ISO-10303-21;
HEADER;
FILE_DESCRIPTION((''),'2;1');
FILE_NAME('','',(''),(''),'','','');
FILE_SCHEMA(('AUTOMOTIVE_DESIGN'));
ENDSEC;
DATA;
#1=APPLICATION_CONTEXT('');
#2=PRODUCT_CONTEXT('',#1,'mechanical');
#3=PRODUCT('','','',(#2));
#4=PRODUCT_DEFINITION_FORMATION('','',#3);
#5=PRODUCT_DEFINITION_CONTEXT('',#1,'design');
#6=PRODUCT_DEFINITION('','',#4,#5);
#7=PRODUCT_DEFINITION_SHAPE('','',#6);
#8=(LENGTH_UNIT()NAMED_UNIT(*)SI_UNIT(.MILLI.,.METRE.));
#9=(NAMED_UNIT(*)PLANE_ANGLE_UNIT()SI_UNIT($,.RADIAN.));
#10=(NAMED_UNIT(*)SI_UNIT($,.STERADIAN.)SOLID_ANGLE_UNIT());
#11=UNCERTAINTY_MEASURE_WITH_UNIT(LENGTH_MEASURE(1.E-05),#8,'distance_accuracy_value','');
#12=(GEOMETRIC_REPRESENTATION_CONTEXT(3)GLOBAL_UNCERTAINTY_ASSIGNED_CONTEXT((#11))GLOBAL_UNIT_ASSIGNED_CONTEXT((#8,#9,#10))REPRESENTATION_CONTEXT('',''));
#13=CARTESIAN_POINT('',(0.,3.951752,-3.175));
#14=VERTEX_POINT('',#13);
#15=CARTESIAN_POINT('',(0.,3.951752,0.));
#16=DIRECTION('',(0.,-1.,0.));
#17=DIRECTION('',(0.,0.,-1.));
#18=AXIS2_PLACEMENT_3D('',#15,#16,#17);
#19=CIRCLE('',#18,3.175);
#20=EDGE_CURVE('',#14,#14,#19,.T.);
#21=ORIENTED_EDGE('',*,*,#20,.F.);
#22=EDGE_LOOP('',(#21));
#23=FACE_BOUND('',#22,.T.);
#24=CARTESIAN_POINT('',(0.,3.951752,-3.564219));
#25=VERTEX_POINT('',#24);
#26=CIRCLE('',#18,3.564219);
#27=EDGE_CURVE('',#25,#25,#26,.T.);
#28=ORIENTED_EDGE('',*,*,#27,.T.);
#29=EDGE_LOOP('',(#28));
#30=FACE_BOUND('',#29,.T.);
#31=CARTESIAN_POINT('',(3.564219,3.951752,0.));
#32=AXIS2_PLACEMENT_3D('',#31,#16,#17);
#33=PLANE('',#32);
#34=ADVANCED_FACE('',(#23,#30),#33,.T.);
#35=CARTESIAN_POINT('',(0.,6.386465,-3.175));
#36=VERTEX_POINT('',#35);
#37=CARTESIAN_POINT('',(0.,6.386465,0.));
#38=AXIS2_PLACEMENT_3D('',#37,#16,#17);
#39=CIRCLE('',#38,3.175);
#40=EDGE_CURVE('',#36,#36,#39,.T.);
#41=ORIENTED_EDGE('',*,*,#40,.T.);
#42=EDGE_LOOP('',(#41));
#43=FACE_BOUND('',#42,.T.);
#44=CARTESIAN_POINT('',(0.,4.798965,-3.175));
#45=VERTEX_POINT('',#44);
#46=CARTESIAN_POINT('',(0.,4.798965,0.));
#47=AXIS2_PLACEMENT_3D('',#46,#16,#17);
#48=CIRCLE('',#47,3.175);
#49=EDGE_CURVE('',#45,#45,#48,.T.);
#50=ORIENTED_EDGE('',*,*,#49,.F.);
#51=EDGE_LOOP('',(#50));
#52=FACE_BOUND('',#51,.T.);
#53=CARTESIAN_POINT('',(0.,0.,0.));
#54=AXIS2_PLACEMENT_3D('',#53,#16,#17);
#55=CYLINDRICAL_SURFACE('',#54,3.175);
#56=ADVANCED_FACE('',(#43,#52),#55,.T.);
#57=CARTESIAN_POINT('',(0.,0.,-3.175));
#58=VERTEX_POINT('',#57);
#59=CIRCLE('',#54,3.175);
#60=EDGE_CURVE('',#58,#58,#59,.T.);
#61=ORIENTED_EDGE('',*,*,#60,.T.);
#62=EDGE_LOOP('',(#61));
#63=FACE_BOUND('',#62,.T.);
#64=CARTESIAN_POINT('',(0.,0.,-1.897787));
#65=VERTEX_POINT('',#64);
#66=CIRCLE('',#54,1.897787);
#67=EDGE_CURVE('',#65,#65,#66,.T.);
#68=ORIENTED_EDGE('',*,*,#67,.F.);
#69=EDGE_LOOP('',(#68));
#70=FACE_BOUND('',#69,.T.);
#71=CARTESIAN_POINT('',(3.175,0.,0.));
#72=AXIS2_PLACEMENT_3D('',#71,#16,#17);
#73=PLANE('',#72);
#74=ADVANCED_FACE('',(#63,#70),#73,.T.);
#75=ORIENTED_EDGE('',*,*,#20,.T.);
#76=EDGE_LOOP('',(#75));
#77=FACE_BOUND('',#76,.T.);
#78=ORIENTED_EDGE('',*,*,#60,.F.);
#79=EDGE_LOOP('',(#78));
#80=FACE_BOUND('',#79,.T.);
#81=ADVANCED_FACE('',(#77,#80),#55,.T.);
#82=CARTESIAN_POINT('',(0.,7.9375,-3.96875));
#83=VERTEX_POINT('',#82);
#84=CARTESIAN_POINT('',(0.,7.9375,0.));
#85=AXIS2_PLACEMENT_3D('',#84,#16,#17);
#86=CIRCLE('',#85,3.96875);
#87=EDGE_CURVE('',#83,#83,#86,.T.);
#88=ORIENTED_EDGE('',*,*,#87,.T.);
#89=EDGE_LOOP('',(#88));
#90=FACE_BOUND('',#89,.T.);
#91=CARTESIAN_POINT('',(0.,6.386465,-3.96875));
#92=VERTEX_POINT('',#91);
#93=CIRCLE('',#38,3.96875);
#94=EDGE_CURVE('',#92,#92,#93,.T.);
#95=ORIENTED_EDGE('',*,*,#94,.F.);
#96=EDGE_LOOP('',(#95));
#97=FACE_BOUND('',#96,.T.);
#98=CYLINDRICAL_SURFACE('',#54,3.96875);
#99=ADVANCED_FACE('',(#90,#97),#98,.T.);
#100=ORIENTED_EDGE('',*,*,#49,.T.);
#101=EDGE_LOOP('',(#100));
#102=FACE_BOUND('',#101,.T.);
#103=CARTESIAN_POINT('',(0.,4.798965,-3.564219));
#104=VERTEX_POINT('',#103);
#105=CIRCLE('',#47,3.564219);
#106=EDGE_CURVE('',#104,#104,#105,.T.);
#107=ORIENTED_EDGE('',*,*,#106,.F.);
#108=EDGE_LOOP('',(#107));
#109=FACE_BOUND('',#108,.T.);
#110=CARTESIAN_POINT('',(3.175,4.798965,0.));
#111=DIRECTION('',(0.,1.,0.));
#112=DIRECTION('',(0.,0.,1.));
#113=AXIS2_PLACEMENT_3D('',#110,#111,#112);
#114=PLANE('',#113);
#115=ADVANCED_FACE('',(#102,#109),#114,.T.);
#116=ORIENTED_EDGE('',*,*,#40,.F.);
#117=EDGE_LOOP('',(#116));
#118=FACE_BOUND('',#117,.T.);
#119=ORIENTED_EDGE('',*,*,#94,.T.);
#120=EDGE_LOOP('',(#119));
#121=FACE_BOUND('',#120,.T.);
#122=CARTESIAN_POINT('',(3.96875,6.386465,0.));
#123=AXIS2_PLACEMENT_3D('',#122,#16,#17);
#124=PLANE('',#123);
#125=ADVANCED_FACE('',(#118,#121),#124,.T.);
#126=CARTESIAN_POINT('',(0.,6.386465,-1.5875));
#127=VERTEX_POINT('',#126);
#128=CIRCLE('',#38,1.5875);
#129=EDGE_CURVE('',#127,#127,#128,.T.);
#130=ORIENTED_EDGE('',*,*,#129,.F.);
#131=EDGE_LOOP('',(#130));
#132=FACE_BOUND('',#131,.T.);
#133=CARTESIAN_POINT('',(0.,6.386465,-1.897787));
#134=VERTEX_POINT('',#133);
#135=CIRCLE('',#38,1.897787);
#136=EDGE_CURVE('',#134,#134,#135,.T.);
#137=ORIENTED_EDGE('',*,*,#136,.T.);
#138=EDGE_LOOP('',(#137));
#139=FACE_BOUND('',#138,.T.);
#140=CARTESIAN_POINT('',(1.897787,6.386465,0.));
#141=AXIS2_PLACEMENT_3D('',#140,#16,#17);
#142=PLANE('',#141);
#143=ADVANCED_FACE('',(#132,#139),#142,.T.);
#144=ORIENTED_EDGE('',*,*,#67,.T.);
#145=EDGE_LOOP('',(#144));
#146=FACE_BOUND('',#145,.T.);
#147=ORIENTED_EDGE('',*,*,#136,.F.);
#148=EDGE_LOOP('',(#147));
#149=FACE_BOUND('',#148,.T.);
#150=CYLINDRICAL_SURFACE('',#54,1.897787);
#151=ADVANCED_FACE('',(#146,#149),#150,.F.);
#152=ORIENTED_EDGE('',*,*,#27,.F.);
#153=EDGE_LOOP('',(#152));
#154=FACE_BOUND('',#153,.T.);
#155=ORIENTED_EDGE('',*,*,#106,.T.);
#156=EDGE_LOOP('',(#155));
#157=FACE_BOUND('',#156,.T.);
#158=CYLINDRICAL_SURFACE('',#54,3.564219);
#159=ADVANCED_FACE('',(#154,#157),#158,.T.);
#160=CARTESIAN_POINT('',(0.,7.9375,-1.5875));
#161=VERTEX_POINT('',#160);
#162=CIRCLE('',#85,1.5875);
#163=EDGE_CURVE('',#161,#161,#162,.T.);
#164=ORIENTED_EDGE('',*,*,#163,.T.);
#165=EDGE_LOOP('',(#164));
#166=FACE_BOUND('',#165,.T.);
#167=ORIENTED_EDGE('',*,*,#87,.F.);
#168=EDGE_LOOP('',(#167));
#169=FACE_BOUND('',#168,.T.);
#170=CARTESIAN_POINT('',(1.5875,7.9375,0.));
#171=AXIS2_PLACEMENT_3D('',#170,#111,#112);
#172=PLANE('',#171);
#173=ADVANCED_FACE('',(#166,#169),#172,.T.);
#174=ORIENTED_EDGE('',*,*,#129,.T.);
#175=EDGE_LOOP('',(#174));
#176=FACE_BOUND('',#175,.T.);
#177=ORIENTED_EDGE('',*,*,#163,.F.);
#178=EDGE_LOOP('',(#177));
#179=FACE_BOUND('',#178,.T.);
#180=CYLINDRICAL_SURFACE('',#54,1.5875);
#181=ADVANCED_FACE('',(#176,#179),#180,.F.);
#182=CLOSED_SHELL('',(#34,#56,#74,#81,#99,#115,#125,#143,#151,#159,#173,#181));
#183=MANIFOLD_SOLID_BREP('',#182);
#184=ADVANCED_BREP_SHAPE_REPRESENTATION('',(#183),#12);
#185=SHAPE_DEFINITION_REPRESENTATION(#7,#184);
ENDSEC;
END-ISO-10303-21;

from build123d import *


with BuildPart() as part:
    # Sketch1 → Revolve1 (revolve)
    with BuildSketch(Plane.XY):
        Polygon((1.5875, 7.9375), (3.96875, 7.9375), (3.96875, 6.386464589), (3.175, 6.386464589), (3.175, 4.798964589), (3.564219105, 4.798964589), (3.564219105, 3.95175219), (3.175, 3.95175219), (3.175, 0), (1.897786585, 0), (1.897786585, 6.386464589), (1.5875, 6.386464589), align=None)
    revolve(axis=Axis((0, 0, 0), (0, 1, 0)))


solid = part.part
